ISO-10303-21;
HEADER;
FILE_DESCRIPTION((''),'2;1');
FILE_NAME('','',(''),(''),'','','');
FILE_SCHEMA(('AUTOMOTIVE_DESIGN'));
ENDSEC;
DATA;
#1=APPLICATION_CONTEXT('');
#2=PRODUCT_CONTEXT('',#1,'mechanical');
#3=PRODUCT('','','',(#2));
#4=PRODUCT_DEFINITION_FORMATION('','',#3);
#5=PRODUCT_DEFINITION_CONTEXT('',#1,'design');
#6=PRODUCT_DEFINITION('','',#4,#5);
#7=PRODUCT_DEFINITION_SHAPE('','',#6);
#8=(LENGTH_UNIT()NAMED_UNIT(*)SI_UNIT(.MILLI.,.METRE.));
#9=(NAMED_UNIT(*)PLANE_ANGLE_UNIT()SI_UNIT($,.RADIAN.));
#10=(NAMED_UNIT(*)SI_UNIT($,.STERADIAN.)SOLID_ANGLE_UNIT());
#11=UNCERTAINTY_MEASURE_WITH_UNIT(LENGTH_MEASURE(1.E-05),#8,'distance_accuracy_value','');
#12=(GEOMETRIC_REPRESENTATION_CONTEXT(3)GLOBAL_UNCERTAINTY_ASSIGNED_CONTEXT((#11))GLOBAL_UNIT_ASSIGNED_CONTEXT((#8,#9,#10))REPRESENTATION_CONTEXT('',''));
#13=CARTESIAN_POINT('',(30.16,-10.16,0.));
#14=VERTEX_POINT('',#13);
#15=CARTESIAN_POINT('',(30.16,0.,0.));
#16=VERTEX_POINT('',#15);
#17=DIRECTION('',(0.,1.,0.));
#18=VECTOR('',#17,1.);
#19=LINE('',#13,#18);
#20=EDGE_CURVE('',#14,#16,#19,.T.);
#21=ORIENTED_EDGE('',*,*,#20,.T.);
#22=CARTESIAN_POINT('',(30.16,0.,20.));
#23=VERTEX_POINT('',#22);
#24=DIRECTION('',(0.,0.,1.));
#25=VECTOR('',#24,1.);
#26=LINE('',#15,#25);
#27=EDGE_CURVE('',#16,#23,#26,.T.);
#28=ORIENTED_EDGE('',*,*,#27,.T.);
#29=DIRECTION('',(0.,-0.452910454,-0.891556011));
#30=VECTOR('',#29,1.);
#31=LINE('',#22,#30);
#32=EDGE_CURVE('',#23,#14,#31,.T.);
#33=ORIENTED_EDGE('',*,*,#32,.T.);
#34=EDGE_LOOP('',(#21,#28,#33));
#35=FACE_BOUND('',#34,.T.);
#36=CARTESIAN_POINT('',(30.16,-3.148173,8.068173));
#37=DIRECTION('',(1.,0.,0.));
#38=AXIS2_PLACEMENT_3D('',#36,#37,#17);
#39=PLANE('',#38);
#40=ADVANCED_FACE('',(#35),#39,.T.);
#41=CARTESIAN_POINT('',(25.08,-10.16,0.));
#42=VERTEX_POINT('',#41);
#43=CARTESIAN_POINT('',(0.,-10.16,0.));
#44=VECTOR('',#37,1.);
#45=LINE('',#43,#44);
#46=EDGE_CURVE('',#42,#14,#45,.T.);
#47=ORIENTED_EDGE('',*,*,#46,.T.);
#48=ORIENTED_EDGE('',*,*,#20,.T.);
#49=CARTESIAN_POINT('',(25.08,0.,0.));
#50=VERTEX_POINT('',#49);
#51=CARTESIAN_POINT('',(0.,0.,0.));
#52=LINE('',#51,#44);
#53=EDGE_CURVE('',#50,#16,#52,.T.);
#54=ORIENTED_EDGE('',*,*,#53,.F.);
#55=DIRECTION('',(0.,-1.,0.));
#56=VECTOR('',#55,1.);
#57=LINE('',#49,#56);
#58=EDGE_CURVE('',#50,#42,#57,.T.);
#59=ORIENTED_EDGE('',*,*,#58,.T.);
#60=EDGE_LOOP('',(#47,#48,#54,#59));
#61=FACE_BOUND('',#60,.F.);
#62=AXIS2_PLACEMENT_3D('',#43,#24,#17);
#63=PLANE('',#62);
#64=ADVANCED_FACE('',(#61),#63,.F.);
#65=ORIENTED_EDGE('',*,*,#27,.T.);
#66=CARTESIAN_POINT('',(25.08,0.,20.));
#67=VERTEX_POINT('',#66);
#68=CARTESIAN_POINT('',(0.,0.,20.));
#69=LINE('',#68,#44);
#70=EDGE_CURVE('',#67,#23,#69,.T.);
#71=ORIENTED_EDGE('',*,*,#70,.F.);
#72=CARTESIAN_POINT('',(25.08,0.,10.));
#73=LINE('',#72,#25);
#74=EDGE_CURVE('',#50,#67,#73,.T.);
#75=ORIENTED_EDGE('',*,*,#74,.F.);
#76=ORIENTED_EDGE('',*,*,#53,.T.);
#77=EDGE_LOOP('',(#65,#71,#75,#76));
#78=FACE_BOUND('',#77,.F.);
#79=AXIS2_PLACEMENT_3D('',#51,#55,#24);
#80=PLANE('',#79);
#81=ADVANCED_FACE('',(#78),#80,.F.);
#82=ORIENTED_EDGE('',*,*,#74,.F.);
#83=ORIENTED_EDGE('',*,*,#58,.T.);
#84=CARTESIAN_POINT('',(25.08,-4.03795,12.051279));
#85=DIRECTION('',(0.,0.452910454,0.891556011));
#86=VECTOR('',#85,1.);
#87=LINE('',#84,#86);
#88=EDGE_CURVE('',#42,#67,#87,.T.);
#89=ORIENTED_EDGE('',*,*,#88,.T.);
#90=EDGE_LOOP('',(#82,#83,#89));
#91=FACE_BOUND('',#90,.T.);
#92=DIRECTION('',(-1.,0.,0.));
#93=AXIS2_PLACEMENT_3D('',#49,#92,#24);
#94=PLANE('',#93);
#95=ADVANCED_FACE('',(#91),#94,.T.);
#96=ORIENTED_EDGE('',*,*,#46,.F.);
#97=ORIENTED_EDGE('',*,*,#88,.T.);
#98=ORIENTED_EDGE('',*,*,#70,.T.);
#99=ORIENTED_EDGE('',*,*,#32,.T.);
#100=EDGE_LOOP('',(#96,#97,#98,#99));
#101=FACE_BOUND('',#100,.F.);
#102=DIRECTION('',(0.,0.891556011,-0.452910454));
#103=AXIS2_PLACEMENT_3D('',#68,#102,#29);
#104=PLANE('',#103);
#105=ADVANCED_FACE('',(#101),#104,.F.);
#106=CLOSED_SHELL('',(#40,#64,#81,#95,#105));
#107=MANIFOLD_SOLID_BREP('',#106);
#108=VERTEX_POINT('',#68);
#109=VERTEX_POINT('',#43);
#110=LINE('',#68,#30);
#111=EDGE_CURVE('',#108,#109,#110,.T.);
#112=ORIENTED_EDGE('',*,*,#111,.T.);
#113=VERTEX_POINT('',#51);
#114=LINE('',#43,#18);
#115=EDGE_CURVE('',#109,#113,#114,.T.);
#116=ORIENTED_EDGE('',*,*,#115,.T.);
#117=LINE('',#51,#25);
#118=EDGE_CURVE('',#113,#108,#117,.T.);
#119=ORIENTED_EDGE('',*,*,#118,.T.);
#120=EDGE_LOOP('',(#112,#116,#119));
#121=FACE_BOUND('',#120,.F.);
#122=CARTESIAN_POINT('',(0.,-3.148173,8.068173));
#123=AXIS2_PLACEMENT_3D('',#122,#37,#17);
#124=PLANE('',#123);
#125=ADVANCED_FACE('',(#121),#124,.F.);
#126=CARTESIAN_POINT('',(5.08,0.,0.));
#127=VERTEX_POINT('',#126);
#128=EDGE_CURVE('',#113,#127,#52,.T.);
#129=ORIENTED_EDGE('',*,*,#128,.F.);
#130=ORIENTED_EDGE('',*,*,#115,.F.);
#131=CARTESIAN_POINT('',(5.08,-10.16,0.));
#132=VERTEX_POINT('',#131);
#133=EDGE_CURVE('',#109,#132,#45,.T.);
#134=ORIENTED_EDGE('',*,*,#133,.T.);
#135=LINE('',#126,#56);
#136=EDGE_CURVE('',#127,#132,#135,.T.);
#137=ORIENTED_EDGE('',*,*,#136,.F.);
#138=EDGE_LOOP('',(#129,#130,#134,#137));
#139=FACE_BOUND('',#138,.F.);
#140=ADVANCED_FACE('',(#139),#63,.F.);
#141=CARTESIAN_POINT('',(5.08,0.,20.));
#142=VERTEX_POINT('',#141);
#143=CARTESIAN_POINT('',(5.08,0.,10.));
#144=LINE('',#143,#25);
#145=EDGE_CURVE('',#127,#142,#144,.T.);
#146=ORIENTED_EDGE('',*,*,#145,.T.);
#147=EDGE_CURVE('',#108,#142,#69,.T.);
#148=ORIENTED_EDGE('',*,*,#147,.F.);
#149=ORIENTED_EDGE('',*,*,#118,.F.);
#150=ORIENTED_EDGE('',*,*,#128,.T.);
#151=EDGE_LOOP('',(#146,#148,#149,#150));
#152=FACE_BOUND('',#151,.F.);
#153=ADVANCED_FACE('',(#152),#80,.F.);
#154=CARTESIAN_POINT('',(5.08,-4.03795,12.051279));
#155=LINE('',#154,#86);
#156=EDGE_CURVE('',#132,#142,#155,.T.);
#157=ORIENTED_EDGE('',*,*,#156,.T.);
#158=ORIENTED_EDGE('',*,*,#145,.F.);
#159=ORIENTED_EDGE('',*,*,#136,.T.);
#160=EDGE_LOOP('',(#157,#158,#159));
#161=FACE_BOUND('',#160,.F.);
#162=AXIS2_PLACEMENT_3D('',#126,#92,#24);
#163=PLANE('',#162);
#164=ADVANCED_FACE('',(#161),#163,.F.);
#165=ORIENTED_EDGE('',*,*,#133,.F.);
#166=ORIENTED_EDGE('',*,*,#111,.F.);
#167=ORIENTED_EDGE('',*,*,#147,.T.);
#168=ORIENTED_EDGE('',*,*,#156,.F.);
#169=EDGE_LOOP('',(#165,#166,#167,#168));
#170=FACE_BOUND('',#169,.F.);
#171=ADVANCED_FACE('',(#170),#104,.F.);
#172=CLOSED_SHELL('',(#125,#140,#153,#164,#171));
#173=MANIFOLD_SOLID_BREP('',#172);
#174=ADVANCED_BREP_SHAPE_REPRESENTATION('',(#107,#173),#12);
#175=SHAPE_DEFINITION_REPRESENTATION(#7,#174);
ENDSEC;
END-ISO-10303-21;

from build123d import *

# Parameters (mm, degrees)
F1_DEPTH = 30.16
F2_W     = 20
F2_H     = 20
F3_DEPTH = 10.161


with BuildPart() as f1:
    # F0 (on Right) → F1 (new body)
    with BuildSketch(Plane.YZ):
        Polygon((-10.16, 0), (0, 0), (0, 20), align=None)
    extrude(amount=F1_DEPTH)

    # F2 (on face) → F3 (cut, through all)
    with BuildSketch(Plane(origin=(0, 0, 0), x_dir=(-1, 0, 0), z_dir=(0, 1, 0))):
        with Locations((-15.08, 10)):
            Rectangle(F2_W, F2_H)
    extrude(amount=-F3_DEPTH, mode=Mode.SUBTRACT)


solid = f1.part
